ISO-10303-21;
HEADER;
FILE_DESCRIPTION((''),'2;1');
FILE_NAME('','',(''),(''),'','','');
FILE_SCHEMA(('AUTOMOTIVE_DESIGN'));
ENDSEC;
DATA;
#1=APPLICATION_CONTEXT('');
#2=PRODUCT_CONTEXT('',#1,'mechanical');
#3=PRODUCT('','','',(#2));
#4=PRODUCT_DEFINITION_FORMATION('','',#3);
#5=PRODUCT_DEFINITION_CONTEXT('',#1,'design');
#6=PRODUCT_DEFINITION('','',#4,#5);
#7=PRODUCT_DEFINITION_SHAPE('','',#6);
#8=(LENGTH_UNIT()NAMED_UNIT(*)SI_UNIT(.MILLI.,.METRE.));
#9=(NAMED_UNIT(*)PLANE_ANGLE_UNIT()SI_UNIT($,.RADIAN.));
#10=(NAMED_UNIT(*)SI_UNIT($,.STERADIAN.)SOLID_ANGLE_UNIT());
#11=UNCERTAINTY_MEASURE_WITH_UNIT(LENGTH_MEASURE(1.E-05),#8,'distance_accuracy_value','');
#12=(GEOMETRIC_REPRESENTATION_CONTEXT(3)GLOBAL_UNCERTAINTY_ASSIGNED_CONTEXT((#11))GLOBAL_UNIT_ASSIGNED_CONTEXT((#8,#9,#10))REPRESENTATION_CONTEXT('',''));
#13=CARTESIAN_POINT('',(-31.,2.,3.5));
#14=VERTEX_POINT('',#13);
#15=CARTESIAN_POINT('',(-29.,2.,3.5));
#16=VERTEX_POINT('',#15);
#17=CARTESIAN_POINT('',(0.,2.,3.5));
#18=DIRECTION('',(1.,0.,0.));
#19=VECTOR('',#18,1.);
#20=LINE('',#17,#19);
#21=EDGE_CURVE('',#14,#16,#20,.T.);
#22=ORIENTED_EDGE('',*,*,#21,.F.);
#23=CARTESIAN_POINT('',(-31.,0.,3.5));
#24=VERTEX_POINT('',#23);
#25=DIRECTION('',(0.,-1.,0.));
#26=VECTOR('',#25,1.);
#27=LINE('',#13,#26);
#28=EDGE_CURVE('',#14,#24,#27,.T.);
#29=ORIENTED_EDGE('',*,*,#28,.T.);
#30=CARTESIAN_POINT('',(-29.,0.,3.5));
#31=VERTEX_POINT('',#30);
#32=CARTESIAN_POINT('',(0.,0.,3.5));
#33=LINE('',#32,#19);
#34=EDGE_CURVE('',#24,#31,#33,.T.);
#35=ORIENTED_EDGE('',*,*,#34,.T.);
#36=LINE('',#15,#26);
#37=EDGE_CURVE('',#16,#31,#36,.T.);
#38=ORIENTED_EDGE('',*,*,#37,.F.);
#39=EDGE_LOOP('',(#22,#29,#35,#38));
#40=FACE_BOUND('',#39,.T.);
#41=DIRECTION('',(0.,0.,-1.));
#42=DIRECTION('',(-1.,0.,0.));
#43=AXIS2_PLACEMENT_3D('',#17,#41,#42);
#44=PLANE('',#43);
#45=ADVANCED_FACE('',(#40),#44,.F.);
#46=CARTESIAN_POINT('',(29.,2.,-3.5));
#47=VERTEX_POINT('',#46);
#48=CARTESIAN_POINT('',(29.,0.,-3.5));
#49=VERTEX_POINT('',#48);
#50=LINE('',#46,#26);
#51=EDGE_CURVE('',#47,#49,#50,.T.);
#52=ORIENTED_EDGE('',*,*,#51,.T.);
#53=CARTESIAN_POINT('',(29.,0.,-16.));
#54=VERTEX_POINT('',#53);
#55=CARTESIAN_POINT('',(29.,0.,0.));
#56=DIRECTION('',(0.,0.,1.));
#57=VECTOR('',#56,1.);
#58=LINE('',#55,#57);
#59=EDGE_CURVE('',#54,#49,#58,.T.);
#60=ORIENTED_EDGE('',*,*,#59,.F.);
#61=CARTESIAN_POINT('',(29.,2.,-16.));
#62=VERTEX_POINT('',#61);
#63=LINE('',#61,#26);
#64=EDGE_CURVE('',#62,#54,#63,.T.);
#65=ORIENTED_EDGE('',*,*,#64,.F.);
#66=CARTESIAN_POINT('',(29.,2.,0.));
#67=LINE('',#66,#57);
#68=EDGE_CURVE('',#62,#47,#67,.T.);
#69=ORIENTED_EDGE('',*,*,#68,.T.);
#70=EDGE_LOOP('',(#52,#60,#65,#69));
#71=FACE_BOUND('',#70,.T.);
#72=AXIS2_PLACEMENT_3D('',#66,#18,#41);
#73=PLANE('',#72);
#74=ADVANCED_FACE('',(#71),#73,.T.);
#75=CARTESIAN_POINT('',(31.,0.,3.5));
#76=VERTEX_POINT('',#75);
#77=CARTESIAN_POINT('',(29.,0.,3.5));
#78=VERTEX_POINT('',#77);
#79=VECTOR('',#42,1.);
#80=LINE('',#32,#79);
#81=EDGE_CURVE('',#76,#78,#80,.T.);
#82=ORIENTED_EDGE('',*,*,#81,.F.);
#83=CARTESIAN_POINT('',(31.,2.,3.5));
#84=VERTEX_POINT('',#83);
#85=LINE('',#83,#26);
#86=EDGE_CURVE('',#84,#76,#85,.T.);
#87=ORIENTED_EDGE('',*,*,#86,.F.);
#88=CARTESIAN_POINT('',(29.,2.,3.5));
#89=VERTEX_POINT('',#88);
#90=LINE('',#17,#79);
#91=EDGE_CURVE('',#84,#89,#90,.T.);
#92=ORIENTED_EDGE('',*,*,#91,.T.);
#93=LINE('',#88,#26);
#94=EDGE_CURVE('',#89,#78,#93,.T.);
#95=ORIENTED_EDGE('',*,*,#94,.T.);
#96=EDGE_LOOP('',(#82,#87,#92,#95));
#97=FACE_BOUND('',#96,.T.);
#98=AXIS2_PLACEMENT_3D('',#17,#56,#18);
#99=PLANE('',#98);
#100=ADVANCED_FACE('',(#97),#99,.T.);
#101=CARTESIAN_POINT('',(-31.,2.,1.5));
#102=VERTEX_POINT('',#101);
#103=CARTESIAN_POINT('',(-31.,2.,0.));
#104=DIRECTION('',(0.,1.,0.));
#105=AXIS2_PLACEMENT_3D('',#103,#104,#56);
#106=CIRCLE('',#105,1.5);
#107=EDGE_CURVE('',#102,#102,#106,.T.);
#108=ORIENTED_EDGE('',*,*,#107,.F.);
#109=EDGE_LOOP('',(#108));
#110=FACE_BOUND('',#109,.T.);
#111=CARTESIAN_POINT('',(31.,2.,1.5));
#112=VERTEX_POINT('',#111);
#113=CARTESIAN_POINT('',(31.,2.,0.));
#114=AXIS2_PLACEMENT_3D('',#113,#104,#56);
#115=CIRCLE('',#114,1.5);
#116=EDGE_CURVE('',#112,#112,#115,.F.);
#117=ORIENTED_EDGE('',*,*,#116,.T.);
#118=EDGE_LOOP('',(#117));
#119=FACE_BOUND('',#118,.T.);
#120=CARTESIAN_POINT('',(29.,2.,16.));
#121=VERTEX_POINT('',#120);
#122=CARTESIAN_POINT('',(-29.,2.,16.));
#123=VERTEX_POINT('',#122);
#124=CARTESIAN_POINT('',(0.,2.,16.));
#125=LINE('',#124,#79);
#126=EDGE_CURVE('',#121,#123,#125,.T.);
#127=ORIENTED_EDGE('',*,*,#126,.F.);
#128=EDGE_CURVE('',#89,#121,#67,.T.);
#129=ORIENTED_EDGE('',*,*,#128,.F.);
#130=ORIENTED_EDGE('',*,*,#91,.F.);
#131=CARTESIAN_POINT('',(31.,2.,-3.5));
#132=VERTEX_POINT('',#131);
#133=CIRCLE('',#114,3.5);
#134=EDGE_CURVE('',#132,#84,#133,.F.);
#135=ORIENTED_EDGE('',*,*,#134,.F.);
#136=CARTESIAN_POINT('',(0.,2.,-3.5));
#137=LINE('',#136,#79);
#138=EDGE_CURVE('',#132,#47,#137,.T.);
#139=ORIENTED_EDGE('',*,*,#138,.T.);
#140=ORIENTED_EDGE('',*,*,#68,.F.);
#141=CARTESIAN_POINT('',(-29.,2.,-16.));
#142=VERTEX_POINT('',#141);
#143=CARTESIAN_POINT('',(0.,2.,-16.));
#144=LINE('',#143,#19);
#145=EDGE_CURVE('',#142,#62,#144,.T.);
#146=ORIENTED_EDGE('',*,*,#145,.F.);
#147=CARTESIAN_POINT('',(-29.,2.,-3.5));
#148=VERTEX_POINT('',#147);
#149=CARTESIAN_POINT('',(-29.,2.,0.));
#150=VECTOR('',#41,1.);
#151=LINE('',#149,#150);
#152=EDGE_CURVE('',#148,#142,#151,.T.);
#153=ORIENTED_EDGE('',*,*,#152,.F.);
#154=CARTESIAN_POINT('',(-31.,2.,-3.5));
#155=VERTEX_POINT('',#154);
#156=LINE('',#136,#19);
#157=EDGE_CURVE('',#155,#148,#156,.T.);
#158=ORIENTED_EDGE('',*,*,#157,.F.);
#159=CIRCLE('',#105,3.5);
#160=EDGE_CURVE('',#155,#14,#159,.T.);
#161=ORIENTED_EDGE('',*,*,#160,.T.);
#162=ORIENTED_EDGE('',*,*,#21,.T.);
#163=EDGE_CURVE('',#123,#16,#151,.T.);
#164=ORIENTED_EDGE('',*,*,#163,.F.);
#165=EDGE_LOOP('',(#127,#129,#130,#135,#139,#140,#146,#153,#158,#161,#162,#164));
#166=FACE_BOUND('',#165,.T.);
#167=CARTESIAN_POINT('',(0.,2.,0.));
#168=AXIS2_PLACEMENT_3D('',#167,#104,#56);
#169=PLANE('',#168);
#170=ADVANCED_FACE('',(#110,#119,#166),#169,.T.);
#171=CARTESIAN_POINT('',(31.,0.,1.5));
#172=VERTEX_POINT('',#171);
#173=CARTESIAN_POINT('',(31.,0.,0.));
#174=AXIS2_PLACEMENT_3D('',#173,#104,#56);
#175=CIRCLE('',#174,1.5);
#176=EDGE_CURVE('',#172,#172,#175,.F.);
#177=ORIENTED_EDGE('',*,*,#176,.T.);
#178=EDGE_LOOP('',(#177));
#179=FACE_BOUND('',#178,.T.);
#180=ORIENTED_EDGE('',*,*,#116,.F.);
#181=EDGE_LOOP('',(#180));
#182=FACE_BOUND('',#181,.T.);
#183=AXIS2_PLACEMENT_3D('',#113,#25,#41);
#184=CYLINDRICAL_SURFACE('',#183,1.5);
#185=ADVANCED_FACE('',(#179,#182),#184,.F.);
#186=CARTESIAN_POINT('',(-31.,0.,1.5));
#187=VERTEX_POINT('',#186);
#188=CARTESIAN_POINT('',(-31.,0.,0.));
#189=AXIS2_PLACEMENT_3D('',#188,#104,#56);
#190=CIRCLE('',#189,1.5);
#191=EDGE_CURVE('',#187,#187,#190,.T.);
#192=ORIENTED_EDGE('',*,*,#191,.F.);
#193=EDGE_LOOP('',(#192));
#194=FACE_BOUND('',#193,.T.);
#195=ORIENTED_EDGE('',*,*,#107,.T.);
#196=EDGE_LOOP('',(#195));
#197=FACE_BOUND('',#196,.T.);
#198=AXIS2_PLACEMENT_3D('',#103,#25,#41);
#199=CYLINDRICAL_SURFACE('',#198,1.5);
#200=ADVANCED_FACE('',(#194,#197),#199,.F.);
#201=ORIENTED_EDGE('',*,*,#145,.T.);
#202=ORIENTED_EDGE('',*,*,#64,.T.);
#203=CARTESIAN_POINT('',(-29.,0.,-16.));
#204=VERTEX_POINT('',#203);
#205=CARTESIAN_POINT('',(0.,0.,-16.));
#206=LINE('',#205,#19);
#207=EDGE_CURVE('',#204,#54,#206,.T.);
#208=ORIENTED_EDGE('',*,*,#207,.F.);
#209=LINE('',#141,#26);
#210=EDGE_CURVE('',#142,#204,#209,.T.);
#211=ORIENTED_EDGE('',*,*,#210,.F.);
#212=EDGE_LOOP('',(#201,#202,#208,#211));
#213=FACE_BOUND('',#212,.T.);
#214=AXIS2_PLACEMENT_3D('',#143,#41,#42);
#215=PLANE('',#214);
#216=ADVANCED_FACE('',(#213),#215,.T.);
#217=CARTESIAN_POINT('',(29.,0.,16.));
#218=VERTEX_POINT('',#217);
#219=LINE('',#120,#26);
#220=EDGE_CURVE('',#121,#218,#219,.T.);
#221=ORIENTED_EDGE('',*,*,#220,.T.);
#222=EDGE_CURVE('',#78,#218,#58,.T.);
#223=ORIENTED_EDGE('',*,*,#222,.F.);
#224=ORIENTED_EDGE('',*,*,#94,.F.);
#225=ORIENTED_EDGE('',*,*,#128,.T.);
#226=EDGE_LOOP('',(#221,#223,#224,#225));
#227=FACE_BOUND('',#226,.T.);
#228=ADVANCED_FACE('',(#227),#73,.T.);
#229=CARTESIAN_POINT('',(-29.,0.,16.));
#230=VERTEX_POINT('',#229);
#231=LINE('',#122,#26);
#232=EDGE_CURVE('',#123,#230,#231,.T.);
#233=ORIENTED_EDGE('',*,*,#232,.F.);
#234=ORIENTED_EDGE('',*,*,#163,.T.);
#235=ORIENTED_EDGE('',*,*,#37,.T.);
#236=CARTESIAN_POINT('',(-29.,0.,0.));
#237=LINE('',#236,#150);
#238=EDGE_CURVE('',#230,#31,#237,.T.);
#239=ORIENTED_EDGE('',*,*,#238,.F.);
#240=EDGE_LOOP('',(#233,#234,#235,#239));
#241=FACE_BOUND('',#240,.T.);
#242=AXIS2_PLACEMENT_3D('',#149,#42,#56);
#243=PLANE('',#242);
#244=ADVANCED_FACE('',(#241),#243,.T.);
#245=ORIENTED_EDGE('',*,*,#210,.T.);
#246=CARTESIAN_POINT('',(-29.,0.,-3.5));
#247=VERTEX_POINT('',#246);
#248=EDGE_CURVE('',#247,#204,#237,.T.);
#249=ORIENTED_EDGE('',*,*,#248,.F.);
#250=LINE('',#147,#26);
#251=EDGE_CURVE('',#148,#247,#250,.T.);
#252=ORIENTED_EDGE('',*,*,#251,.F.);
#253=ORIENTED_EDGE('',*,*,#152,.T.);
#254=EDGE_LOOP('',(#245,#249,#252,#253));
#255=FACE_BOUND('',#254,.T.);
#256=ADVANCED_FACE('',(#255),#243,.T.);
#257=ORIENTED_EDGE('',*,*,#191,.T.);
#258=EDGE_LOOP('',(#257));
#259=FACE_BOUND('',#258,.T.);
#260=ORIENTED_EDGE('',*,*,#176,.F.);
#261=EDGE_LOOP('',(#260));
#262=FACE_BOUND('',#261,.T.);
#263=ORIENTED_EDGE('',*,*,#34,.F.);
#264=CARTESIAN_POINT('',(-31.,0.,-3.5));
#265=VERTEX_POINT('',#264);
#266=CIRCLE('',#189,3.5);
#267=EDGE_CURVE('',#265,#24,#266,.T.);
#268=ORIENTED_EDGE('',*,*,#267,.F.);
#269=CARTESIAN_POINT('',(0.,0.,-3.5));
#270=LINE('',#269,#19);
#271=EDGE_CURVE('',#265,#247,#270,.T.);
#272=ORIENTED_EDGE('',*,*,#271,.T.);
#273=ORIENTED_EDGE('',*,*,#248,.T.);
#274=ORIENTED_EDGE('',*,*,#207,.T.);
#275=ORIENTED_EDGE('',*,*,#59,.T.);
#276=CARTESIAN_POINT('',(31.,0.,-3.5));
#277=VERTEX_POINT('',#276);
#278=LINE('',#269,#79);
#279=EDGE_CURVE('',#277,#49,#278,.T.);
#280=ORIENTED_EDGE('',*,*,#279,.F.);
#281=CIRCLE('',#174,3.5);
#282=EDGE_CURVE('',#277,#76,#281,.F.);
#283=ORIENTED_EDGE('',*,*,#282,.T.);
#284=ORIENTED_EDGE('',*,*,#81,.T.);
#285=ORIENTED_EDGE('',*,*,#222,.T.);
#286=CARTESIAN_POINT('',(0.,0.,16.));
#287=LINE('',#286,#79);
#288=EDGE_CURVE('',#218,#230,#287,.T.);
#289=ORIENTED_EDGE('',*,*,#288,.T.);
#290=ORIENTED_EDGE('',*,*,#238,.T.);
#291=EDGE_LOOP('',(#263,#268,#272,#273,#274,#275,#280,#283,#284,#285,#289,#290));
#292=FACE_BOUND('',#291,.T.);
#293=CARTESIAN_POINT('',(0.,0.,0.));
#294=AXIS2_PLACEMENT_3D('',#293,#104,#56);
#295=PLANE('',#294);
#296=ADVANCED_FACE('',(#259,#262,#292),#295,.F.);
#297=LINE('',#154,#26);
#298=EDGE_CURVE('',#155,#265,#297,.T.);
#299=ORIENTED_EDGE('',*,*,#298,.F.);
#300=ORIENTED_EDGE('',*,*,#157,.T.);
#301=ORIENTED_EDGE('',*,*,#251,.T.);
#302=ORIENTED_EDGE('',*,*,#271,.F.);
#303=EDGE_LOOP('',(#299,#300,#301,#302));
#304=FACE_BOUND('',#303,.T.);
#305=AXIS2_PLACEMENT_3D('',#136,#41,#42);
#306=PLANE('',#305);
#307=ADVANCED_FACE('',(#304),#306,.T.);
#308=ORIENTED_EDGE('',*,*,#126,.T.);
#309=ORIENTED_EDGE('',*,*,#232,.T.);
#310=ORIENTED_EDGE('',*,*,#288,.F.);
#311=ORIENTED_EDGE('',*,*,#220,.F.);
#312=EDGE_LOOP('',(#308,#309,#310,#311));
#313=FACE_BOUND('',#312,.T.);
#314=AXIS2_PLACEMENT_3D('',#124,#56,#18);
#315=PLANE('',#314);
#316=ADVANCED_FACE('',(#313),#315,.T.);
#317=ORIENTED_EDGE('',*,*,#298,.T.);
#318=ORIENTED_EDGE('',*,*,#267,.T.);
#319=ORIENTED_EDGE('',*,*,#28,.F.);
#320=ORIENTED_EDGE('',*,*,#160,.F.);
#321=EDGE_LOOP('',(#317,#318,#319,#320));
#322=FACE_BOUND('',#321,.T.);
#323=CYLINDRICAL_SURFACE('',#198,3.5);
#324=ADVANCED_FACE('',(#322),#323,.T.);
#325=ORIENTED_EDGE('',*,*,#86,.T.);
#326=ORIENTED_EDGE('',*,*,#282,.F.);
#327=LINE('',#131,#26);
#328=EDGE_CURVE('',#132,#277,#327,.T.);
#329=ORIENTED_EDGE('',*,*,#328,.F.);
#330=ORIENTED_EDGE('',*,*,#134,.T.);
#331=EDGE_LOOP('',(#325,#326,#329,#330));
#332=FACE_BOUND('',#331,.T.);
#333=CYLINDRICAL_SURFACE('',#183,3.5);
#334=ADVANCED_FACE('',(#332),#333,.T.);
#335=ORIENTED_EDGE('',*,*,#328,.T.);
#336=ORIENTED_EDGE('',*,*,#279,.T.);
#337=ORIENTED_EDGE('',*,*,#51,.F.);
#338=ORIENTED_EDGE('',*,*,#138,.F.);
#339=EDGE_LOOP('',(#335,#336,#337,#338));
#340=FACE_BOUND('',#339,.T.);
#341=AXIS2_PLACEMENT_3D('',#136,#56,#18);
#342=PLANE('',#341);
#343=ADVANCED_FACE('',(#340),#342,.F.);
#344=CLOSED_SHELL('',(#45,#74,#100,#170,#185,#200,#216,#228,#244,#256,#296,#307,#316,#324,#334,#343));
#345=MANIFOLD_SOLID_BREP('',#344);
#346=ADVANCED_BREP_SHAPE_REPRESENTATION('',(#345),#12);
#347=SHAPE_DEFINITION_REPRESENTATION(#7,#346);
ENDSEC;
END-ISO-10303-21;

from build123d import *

# Parameters (mm, degrees)
CROQUIS1_R              = 1.5
SALIENTE_EXTRUIR1_DEPTH = 2


with BuildPart() as part:
    # Croquis1 → Saliente-Extruir1 (new body)
    # profile 1 of 3: a face of its own
    with BuildSketch(Plane(origin=(0, 0, 0), x_dir=(1, 0, 0), z_dir=(0, 1, 0))):
        Polygon((-29, -16), (-29, 0), (-29, 16), (0, 16), (29, 16), (29, 0), (29, -16), (0, -16), align=None)
    # profile 2 of 3: a face of its own
    with BuildSketch(Plane(origin=(0, 0, 0), x_dir=(1, 0, 0), z_dir=(0, 1, 0))):
        with BuildLine():
            Line((31, 3.5), (29, 3.5))
            Line((29, 3.5), (29, 0))
            Line((29, 0), (29, -3.5))
            Line((29, -3.5), (31, -3.5))
            ThreePointArc((31, -3.5), (34.5, 0), (31, 3.5))
        make_face()
        with Locations(Location((31, 0, 0), (0, 0, 270))):
            Circle(CROQUIS1_R, mode=Mode.SUBTRACT)
    # profile 3 of 3: a face of its own
    with BuildSketch(Plane(origin=(0, 0, 0), x_dir=(1, 0, 0), z_dir=(0, 1, 0))):
        with BuildLine():
            Line((-29, -3.5), (-29, 0))
            Line((-29, 0), (-29, 3.5))
            Line((-29, 3.5), (-31, 3.5))
            ThreePointArc((-31, 3.5), (-34.5, 0), (-31, -3.5))
            Line((-31, -3.5), (-29, -3.5))
        make_face()
        with Locations(Location((-31, 0, 0), (0, 0, 270))):
            Circle(CROQUIS1_R, mode=Mode.SUBTRACT)
    extrude(amount=SALIENTE_EXTRUIR1_DEPTH)


solid = part.part
